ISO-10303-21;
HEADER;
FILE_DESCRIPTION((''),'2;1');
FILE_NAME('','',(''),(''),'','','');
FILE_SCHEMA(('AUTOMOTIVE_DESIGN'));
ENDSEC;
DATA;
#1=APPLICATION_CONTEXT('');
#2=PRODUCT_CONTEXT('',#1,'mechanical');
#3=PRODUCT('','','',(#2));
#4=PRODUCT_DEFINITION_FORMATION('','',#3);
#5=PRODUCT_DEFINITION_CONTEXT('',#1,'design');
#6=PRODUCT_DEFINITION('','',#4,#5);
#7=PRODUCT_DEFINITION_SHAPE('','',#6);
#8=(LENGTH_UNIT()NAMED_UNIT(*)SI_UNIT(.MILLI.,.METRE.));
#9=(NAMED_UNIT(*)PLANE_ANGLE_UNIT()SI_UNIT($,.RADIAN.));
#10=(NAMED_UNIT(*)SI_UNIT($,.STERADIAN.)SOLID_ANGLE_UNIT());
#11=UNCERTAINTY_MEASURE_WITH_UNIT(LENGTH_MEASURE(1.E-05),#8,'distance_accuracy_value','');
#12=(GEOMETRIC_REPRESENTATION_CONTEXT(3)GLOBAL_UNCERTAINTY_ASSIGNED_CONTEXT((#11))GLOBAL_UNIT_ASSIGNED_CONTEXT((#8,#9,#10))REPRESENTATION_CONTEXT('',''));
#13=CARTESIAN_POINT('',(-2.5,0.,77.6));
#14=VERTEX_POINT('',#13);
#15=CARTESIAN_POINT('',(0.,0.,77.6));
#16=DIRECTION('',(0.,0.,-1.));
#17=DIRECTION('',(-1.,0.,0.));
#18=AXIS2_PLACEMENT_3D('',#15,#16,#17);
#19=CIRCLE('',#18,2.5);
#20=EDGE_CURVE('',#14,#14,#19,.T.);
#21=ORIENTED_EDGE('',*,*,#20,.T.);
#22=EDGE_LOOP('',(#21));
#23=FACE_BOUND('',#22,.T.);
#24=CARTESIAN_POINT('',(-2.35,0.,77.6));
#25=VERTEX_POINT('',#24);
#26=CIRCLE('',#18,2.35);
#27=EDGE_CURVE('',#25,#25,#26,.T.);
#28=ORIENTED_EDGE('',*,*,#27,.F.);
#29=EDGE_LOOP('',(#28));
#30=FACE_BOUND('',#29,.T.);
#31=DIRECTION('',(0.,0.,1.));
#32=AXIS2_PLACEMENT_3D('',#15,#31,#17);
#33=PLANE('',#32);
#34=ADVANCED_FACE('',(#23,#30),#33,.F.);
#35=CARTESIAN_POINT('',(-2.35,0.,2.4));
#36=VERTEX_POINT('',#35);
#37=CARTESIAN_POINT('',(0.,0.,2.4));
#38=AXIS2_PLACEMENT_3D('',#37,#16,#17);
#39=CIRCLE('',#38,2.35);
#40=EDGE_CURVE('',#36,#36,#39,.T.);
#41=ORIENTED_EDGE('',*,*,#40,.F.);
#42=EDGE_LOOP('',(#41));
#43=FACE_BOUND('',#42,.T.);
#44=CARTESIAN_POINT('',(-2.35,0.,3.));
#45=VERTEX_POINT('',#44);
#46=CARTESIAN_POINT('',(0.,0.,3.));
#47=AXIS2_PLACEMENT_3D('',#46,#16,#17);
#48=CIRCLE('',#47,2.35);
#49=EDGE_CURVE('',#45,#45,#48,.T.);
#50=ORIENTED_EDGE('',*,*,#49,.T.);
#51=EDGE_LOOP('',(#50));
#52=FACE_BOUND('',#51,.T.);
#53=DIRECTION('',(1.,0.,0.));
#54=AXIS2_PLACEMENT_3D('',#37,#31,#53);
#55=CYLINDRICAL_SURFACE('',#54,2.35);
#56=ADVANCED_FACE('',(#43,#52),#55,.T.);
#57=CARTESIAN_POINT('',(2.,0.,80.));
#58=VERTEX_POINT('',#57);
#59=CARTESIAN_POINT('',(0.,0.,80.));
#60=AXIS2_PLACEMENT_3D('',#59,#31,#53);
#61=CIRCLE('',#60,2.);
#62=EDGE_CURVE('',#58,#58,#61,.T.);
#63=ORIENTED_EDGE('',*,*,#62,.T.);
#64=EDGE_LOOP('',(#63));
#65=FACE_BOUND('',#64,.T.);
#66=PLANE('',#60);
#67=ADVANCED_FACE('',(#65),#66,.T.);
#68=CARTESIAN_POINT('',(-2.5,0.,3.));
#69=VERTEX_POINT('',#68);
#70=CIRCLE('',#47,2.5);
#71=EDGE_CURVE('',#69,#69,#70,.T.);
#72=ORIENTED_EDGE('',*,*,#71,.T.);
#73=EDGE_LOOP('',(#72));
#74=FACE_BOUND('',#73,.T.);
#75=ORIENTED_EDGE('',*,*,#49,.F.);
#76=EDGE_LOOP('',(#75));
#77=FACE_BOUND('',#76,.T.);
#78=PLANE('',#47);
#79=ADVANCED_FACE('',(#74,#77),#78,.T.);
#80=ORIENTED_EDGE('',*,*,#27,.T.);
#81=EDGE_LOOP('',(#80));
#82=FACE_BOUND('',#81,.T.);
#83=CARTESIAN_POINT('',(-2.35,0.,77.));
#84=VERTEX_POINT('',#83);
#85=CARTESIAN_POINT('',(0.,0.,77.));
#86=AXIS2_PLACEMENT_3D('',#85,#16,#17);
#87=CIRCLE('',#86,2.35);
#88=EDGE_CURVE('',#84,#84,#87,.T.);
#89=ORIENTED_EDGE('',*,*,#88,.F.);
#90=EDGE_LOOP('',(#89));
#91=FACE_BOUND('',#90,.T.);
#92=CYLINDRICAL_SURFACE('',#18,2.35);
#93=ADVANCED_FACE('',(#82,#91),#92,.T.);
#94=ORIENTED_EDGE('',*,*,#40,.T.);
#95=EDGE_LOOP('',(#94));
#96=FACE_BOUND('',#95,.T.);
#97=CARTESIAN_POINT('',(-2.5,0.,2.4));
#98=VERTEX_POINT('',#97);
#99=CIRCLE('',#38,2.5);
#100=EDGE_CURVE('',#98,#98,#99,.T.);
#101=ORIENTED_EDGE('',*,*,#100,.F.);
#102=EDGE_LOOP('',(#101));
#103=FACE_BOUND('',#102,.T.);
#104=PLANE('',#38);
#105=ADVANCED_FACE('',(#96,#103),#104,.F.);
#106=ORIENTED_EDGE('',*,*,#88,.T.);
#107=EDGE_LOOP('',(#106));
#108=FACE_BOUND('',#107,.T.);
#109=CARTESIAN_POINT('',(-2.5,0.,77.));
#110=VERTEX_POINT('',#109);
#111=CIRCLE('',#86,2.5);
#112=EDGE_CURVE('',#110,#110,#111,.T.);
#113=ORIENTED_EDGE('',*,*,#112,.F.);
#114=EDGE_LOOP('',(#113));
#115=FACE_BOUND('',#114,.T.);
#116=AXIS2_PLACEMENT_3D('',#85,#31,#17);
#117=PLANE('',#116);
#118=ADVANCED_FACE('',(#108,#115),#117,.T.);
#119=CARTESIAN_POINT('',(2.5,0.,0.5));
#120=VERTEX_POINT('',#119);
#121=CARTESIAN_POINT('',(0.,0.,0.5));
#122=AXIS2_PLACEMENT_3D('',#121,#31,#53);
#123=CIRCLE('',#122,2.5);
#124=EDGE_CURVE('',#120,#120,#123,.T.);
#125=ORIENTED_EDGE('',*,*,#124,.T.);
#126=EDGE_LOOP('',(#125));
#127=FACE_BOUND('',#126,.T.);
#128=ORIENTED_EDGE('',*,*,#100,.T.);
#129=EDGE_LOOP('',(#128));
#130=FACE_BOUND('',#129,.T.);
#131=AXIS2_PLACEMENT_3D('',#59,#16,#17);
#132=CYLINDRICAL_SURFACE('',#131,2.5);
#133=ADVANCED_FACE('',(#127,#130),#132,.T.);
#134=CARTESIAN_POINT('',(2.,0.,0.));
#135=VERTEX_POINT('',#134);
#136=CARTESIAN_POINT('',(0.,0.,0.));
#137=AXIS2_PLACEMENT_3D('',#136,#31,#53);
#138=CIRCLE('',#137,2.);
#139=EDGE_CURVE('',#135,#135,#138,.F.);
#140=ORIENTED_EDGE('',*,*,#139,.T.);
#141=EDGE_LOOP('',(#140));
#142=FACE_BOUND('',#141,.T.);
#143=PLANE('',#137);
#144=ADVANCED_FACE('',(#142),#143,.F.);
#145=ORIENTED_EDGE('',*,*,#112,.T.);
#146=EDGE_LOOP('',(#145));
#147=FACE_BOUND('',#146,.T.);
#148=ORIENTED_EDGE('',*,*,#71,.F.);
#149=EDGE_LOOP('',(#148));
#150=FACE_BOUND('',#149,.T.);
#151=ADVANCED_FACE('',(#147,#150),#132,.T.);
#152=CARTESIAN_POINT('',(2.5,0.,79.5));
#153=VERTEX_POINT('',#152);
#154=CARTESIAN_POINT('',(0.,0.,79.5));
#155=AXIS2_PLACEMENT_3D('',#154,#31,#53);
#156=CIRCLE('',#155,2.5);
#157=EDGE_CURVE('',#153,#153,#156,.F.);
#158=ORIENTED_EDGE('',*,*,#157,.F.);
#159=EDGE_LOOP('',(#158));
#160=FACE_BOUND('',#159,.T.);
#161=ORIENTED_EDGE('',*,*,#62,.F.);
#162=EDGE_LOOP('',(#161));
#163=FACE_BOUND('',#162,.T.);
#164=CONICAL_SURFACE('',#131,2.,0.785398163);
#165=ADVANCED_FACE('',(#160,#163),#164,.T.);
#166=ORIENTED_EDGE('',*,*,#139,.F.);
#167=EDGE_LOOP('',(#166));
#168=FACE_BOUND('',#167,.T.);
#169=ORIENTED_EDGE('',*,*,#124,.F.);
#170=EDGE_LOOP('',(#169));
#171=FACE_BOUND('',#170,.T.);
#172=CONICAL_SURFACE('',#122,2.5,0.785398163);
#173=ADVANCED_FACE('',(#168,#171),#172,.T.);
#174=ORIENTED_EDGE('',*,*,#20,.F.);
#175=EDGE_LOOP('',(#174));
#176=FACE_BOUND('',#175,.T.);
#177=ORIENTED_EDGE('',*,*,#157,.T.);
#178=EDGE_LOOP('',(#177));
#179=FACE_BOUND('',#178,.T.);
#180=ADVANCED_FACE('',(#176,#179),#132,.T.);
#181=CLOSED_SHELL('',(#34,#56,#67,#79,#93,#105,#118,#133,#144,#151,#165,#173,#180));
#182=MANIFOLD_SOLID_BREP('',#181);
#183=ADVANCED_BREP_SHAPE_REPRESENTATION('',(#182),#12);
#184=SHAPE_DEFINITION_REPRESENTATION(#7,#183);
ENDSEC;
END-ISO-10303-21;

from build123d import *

# Parameters (mm, degrees)
SKETCH_1_R          = 2.5
EXTRUDE_1_DEPTH     = 80
CHAMFER_1_SIZE      = 0.5
CUT_EXTRUDE_START   = -2.4
SKETCH_2_R          = 2.5
SKETCH_2_R_2        = 2.35
CUT_EXTRUDE_1_DEPTH = 0.6


with BuildPart() as part:
    # 草图1 → 凸台-拉伸1 (new body)
    with BuildSketch(Plane.XY):
        Circle(SKETCH_1_R)
    extrude(amount=EXTRUDE_1_DEPTH)

    # 倒角1
    chamfer_1_edges = [part.edges().sort_by_distance(p)[0] for p in [
        (-2.5, 0, 0),
        (-2.5, 0, 80),
    ]]
    chamfer(chamfer_1_edges, length=CHAMFER_1_SIZE)

    # 草图2 → 切除-拉伸1 (cut)
    with BuildSketch(Plane(origin=(0, 0, 0), x_dir=(-1, 0, 0), z_dir=(0, 0, -1)).offset(CUT_EXTRUDE_START)):
        Circle(SKETCH_2_R)
        Circle(SKETCH_2_R_2, mode=Mode.SUBTRACT)
    cut_extrude_1 = extrude(amount=-CUT_EXTRUDE_1_DEPTH, mode=Mode.SUBTRACT)

    # 镜向1: 切除-拉伸1 across plane
    add(cut_extrude_1.mirror(Plane.XY.offset(40)), mode=Mode.SUBTRACT)


solid = part.part
